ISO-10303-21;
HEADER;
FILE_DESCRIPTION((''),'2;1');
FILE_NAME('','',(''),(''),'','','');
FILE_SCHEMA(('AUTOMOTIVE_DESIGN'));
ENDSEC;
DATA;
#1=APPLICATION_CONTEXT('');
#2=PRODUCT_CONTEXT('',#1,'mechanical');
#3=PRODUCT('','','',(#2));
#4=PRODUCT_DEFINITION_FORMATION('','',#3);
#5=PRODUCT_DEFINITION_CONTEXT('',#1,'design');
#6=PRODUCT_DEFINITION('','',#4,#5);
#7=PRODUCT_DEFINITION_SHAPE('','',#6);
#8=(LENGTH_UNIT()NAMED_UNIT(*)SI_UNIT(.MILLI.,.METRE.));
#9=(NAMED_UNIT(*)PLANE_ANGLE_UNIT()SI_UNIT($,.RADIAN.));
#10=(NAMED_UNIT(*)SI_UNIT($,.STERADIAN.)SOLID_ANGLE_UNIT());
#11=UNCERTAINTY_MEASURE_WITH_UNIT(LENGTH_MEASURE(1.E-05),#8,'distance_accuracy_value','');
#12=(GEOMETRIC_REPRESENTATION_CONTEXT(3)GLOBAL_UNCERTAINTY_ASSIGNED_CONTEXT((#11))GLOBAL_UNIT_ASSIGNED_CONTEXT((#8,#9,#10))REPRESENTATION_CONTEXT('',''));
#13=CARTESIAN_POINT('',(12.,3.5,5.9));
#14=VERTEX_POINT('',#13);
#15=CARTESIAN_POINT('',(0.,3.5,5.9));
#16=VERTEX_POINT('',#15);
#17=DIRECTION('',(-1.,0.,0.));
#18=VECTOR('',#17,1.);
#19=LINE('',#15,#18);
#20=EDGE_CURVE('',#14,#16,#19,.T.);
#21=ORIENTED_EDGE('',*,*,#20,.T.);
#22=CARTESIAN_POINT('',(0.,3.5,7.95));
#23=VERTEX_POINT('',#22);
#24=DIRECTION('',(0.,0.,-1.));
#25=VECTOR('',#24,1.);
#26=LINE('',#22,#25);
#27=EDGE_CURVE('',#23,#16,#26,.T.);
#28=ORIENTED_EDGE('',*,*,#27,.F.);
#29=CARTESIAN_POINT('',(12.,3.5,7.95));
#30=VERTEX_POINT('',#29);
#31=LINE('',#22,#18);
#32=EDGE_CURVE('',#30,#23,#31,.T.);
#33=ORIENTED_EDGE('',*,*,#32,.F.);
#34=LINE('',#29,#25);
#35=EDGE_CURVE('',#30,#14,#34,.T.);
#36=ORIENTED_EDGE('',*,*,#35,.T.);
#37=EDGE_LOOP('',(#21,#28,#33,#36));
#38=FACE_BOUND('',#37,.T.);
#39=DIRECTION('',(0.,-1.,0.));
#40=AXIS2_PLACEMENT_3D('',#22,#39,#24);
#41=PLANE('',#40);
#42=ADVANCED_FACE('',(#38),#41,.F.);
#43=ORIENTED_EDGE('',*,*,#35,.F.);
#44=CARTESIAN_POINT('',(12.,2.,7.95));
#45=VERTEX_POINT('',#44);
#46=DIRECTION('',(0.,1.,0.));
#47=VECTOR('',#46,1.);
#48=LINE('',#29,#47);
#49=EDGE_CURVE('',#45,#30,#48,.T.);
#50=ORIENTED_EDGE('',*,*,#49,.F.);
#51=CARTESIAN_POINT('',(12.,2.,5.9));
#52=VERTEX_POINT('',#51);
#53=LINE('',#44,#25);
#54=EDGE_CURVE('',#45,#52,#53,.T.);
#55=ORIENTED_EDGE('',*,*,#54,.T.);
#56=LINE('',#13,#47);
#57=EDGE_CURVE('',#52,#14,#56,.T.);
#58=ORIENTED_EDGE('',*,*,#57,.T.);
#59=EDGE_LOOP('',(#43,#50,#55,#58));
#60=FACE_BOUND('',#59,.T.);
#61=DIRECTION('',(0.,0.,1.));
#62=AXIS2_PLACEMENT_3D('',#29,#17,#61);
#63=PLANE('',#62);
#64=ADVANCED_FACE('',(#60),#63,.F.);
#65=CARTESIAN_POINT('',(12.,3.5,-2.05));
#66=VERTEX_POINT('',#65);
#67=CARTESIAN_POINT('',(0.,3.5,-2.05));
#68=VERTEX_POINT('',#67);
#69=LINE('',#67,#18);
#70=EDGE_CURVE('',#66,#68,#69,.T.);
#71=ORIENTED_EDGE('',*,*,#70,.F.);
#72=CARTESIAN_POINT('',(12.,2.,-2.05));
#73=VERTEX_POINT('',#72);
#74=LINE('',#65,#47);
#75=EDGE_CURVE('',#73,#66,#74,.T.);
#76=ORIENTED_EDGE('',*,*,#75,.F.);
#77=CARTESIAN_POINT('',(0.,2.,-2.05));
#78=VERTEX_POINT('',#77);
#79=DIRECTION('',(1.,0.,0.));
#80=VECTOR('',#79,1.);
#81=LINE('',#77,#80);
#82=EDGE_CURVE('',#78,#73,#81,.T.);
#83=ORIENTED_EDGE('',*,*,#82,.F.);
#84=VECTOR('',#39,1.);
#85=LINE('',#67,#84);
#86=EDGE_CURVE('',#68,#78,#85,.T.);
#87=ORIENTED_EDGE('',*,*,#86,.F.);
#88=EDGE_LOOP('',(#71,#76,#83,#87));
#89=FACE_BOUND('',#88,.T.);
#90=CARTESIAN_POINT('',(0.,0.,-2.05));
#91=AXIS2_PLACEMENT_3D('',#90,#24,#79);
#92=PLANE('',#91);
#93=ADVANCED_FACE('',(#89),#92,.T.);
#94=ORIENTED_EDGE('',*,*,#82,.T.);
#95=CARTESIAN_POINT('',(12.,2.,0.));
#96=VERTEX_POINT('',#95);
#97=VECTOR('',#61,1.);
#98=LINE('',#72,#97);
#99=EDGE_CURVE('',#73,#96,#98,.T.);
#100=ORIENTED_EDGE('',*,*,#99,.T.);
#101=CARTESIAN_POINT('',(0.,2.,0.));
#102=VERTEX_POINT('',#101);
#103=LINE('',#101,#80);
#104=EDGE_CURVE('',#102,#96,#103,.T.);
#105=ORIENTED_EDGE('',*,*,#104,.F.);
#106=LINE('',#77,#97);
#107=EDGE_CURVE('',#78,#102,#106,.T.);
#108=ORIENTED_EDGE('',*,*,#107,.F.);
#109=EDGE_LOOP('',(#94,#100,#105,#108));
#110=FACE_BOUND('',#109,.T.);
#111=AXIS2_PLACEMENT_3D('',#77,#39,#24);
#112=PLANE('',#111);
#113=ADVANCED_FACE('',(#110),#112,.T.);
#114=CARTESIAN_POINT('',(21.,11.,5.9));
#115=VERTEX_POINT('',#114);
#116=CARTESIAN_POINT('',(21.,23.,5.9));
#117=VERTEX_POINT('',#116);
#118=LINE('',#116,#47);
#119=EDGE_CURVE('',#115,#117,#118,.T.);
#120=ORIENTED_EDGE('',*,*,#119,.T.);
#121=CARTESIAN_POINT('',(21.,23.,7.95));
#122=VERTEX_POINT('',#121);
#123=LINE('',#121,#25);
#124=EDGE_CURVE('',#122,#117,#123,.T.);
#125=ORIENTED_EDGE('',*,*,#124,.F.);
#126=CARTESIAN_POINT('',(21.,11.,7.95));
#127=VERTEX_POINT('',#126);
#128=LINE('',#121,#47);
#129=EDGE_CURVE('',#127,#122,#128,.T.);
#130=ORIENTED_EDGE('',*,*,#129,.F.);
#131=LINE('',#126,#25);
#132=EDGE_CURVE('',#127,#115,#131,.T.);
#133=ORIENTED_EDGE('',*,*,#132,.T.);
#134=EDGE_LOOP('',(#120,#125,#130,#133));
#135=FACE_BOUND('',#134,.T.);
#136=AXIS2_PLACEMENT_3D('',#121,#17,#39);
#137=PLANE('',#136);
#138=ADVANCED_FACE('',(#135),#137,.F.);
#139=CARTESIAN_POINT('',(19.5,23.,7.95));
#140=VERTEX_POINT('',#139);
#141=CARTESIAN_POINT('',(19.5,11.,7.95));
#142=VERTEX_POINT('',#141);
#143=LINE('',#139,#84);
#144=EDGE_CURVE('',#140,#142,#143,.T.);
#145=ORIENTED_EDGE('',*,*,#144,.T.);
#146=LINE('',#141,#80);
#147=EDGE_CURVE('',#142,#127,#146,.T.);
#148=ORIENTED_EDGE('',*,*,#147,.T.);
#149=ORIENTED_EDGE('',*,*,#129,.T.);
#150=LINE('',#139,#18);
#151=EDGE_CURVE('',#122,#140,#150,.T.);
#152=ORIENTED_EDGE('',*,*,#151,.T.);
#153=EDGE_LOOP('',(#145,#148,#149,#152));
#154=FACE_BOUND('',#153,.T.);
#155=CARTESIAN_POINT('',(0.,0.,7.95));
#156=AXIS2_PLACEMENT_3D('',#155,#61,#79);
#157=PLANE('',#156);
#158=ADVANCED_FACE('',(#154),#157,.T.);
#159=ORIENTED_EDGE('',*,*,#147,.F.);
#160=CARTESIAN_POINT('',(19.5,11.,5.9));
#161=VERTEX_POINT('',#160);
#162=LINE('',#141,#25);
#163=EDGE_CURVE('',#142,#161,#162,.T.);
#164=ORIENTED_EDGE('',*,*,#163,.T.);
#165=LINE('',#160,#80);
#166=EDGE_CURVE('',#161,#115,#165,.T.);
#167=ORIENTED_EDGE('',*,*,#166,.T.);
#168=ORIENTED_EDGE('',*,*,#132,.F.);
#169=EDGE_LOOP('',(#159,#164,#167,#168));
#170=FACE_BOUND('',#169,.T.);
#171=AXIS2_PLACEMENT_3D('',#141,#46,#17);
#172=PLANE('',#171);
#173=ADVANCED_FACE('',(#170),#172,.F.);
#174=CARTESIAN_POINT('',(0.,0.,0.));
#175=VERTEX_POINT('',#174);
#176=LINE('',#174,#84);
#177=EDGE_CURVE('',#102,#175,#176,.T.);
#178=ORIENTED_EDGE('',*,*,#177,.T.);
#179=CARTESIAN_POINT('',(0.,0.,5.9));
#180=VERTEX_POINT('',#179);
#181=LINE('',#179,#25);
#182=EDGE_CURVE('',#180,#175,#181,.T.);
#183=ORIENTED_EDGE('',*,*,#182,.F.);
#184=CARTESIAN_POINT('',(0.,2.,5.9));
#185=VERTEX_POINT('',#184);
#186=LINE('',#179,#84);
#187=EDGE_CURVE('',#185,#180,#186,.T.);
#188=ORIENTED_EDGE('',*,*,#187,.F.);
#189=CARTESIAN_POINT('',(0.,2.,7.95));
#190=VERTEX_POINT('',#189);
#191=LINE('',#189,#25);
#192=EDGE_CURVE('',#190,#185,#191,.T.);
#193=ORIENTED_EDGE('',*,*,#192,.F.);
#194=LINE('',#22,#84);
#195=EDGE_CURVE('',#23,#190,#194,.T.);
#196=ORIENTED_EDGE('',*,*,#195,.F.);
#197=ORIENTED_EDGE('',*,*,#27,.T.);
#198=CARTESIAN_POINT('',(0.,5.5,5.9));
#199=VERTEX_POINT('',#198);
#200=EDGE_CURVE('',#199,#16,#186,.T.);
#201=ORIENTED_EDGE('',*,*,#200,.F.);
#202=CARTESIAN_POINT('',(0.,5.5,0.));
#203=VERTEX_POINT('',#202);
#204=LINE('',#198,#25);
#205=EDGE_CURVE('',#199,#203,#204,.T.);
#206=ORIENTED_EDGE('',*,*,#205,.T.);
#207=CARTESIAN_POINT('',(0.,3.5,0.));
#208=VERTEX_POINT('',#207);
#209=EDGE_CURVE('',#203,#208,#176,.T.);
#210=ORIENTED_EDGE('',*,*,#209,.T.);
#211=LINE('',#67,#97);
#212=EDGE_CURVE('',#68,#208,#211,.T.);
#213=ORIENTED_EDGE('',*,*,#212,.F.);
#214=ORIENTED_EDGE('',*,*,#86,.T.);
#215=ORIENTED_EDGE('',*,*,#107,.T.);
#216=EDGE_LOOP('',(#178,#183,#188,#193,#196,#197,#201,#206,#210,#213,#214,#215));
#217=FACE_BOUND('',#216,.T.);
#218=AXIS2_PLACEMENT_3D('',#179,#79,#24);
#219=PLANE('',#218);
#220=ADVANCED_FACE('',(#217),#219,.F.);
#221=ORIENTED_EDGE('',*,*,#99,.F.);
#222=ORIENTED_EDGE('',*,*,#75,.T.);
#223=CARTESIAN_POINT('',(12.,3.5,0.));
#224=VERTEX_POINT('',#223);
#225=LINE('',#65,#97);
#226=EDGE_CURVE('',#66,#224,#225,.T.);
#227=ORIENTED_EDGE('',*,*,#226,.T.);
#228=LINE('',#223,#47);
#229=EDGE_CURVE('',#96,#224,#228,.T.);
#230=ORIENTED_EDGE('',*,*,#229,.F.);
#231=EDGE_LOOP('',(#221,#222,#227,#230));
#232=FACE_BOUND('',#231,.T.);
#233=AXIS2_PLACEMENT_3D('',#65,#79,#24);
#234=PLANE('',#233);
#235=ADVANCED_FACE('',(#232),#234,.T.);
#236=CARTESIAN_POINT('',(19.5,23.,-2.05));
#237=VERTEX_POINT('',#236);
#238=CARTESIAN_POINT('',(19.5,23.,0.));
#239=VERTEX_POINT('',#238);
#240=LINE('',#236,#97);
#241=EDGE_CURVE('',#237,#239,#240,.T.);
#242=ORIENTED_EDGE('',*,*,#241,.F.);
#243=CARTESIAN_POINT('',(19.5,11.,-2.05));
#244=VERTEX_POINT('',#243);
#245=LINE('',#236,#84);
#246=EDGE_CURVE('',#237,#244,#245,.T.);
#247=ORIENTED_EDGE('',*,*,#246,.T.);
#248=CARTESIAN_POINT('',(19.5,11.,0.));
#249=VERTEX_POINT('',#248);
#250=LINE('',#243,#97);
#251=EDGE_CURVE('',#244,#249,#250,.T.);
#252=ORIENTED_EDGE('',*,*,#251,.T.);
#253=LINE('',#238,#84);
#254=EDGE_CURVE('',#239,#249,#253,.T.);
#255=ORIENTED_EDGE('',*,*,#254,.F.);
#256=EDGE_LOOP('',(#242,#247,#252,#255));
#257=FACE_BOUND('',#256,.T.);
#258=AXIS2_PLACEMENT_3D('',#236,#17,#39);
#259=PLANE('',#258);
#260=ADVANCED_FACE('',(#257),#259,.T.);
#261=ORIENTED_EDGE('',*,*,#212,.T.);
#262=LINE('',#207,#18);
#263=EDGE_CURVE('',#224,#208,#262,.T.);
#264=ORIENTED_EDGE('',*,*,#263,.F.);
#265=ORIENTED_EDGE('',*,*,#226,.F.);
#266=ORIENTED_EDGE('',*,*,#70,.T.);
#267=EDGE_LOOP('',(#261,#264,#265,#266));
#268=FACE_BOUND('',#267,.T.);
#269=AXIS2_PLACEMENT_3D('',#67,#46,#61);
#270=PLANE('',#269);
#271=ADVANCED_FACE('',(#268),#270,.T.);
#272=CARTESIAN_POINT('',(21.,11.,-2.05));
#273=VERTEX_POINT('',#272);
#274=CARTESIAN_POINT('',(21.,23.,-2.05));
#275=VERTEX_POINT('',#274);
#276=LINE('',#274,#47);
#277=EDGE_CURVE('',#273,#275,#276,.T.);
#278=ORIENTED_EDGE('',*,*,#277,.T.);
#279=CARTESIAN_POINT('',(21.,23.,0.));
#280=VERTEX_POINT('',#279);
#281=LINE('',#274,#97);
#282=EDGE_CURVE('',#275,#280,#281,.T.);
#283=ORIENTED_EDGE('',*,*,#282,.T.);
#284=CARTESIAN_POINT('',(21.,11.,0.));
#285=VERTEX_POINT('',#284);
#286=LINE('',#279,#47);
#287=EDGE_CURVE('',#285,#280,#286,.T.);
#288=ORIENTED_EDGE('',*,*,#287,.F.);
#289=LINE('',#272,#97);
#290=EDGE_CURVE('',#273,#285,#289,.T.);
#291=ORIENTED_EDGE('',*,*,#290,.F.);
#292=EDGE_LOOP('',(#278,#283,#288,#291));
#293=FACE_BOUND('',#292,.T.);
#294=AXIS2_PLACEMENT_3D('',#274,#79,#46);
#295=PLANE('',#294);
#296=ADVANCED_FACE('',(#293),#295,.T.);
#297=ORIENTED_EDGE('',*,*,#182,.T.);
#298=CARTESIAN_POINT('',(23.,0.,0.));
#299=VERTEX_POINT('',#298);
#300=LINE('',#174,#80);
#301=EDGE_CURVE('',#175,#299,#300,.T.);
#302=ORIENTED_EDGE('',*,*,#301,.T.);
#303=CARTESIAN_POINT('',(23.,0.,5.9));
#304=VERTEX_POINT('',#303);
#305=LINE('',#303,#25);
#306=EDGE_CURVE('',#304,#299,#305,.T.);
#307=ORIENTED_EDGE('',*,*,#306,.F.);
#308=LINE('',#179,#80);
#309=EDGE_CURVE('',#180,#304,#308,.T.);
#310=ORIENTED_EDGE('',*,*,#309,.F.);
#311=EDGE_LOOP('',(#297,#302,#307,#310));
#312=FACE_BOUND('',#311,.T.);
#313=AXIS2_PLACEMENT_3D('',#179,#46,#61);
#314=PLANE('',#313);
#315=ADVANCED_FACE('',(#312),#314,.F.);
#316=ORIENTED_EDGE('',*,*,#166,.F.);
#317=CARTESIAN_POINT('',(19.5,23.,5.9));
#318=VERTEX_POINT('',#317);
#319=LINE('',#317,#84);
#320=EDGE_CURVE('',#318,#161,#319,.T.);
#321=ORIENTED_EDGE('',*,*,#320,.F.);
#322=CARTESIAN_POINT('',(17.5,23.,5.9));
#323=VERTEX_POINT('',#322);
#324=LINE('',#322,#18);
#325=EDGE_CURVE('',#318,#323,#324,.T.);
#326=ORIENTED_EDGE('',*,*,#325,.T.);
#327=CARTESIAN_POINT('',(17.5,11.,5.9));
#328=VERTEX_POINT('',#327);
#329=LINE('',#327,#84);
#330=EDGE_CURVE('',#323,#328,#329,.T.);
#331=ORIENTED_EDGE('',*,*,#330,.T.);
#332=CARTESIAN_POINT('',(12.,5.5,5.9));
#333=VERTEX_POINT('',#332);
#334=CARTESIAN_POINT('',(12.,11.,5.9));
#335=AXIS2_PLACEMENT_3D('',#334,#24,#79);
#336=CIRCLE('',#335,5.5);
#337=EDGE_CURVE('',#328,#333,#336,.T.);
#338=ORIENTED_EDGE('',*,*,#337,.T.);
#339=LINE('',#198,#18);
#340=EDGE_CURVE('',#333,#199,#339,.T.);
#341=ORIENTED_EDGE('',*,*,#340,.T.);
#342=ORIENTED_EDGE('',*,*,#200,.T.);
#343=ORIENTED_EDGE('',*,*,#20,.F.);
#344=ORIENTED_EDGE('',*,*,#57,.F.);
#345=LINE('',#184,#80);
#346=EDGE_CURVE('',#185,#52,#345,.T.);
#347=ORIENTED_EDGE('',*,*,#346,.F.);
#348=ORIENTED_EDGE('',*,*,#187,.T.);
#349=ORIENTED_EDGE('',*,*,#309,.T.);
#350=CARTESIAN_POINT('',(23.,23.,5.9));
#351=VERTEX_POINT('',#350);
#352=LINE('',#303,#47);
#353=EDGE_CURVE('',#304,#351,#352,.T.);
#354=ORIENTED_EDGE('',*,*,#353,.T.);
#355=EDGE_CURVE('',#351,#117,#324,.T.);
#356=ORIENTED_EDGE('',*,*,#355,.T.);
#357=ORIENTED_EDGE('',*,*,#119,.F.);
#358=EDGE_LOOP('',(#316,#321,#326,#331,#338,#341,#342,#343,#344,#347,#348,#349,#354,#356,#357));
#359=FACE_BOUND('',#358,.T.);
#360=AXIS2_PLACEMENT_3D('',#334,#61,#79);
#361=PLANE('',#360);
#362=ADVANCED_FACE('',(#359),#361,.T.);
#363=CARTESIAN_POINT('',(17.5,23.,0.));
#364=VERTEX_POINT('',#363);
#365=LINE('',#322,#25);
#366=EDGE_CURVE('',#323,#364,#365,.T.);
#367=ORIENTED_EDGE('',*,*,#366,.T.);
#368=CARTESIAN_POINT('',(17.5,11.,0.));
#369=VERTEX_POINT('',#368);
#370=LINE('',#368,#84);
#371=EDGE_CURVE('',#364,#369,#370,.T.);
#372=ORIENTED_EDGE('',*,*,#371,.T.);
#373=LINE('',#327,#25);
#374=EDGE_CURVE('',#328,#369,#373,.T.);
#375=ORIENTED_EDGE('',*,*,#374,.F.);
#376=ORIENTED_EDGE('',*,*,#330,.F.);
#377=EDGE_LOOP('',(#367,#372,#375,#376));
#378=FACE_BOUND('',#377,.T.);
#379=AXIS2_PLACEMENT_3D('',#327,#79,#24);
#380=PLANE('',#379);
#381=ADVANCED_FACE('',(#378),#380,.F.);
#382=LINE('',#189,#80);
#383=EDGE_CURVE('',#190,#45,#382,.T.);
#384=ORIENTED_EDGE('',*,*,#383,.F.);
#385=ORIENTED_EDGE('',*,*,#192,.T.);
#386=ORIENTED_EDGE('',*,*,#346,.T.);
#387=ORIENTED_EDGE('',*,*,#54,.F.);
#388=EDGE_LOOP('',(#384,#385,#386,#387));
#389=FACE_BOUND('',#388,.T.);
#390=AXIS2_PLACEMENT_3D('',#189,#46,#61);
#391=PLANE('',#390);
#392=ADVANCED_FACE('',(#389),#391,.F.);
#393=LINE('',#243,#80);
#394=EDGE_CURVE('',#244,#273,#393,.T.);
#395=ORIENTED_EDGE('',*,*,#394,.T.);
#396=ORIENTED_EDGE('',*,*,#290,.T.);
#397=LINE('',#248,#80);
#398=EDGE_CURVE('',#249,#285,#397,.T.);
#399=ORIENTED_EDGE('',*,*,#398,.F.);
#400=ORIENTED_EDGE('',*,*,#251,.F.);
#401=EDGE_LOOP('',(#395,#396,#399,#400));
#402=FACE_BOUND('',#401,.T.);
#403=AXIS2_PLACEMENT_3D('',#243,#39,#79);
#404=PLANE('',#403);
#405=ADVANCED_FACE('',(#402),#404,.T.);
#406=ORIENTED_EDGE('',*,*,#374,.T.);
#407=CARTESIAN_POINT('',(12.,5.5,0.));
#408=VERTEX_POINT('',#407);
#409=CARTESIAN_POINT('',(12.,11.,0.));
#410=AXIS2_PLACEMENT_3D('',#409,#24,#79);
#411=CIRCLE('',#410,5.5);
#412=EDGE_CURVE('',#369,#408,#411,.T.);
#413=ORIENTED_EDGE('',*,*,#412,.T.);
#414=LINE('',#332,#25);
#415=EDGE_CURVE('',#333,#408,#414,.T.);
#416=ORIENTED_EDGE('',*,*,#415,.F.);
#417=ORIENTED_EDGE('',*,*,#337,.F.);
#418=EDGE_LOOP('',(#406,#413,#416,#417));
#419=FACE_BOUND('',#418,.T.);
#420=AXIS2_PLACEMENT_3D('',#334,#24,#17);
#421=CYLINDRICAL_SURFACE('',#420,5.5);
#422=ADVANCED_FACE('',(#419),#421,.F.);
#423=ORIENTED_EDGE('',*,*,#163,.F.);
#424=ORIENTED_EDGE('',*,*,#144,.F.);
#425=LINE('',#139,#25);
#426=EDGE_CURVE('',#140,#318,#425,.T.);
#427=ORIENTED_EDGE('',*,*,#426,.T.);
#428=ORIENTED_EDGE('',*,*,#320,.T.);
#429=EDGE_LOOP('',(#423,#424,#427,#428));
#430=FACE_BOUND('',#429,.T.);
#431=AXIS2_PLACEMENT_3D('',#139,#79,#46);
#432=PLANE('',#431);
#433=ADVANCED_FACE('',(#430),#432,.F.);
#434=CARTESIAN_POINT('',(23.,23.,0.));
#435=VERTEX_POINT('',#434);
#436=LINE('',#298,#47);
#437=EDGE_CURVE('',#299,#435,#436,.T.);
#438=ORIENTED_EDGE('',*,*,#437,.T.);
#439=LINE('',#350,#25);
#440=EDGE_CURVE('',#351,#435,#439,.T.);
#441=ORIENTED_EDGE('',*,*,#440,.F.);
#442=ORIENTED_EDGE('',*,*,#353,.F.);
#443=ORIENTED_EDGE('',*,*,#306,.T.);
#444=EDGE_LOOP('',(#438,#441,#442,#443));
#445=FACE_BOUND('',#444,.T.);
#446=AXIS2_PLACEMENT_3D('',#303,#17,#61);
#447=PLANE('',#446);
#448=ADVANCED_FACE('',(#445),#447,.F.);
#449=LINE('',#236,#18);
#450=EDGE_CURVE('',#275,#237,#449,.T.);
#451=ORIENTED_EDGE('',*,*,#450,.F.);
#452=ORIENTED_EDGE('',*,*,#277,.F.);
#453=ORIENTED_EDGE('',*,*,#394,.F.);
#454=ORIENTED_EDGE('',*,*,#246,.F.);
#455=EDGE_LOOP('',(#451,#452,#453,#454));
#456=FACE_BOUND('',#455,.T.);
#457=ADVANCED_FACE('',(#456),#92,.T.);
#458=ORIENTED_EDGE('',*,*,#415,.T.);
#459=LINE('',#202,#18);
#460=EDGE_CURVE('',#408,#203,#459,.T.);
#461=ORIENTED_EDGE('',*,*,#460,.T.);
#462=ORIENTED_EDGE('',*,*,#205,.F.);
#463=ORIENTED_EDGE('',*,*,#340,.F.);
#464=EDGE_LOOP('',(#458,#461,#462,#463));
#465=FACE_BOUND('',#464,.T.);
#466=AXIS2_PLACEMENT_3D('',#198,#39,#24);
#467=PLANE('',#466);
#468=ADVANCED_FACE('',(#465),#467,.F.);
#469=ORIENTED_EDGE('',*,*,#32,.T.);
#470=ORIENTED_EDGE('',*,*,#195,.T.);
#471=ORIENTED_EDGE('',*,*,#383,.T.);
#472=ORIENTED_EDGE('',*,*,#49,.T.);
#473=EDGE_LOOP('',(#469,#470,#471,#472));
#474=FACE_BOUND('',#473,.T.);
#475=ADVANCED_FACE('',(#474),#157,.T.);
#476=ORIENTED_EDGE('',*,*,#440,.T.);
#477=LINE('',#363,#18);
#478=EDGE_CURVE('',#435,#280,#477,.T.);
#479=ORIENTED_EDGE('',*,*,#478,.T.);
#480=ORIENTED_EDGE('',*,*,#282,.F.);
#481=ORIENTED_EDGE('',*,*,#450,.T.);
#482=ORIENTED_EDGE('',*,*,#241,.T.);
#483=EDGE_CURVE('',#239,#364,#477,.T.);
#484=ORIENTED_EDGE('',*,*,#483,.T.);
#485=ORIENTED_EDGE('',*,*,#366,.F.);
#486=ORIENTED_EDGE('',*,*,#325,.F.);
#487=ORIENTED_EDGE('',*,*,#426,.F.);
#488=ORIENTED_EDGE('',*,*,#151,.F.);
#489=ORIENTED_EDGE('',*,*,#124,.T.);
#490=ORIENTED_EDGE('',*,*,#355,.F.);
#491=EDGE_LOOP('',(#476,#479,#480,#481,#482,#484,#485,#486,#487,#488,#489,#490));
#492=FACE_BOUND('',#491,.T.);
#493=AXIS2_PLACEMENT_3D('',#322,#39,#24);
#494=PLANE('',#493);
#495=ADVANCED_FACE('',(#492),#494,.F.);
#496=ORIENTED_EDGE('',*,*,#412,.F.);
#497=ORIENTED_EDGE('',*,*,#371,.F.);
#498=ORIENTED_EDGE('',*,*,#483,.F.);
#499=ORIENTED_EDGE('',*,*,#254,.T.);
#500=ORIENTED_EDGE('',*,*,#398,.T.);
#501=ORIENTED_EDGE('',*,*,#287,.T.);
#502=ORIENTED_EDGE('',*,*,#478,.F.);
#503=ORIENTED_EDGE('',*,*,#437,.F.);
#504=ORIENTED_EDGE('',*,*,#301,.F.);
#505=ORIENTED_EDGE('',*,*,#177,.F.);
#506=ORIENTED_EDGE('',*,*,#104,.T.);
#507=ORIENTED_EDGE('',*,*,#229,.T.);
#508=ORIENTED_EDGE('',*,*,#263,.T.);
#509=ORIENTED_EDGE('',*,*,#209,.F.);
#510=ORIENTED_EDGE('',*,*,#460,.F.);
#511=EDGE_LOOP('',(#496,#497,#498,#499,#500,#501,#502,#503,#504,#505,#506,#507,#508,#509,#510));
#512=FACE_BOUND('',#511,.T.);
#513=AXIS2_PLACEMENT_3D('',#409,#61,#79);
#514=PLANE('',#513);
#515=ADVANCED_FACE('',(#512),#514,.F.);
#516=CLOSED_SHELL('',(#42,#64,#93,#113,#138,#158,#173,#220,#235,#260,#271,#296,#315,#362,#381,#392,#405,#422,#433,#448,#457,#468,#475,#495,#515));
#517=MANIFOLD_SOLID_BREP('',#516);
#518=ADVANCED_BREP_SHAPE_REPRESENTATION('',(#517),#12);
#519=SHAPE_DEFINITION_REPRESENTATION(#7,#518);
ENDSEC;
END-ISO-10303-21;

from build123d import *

# Parameters (mm, degrees)
BOSS_EXTRUDE1_DEPTH = 5.9
SKETCH2_W           = 12
SKETCH2_H           = 1.5
SKETCH2_W_2         = 1.5
SKETCH2_H_2         = 12
BOSS_EXTRUDE2_DEPTH = 2.05


with BuildPart() as part:
    # Sketch1 → Boss-Extrude1 (new body)
    with BuildSketch(Plane.XY):
        with BuildLine():
            Line((0, 5.5), (12, 5.5))
            ThreePointArc((12, 5.5), (15.889087297, 7.110912703), (17.5, 11))
            Line((17.5, 11), (17.5, 23))
            Line((17.5, 23), (23, 23))
            Line((23, 23), (23, 0))
            Line((23, 0), (0, 0))
            Line((0, 0), (0, 5.5))
        make_face()
    extrude(amount=BOSS_EXTRUDE1_DEPTH)

    # Sketch2 → Boss-Extrude2 (add)
    with BuildSketch(Plane.XY.offset(5.9)):
        with Locations((6, 2.75)):
            Rectangle(SKETCH2_W, SKETCH2_H)
        with Locations((20.25, 17)):
            Rectangle(SKETCH2_W_2, SKETCH2_H_2)
    boss_extrude2 = extrude(amount=BOSS_EXTRUDE2_DEPTH)

    # Mirror1: Boss-Extrude2 across plane
    add(boss_extrude2.mirror(Plane.XY.offset(2.95)))


solid = part.part
